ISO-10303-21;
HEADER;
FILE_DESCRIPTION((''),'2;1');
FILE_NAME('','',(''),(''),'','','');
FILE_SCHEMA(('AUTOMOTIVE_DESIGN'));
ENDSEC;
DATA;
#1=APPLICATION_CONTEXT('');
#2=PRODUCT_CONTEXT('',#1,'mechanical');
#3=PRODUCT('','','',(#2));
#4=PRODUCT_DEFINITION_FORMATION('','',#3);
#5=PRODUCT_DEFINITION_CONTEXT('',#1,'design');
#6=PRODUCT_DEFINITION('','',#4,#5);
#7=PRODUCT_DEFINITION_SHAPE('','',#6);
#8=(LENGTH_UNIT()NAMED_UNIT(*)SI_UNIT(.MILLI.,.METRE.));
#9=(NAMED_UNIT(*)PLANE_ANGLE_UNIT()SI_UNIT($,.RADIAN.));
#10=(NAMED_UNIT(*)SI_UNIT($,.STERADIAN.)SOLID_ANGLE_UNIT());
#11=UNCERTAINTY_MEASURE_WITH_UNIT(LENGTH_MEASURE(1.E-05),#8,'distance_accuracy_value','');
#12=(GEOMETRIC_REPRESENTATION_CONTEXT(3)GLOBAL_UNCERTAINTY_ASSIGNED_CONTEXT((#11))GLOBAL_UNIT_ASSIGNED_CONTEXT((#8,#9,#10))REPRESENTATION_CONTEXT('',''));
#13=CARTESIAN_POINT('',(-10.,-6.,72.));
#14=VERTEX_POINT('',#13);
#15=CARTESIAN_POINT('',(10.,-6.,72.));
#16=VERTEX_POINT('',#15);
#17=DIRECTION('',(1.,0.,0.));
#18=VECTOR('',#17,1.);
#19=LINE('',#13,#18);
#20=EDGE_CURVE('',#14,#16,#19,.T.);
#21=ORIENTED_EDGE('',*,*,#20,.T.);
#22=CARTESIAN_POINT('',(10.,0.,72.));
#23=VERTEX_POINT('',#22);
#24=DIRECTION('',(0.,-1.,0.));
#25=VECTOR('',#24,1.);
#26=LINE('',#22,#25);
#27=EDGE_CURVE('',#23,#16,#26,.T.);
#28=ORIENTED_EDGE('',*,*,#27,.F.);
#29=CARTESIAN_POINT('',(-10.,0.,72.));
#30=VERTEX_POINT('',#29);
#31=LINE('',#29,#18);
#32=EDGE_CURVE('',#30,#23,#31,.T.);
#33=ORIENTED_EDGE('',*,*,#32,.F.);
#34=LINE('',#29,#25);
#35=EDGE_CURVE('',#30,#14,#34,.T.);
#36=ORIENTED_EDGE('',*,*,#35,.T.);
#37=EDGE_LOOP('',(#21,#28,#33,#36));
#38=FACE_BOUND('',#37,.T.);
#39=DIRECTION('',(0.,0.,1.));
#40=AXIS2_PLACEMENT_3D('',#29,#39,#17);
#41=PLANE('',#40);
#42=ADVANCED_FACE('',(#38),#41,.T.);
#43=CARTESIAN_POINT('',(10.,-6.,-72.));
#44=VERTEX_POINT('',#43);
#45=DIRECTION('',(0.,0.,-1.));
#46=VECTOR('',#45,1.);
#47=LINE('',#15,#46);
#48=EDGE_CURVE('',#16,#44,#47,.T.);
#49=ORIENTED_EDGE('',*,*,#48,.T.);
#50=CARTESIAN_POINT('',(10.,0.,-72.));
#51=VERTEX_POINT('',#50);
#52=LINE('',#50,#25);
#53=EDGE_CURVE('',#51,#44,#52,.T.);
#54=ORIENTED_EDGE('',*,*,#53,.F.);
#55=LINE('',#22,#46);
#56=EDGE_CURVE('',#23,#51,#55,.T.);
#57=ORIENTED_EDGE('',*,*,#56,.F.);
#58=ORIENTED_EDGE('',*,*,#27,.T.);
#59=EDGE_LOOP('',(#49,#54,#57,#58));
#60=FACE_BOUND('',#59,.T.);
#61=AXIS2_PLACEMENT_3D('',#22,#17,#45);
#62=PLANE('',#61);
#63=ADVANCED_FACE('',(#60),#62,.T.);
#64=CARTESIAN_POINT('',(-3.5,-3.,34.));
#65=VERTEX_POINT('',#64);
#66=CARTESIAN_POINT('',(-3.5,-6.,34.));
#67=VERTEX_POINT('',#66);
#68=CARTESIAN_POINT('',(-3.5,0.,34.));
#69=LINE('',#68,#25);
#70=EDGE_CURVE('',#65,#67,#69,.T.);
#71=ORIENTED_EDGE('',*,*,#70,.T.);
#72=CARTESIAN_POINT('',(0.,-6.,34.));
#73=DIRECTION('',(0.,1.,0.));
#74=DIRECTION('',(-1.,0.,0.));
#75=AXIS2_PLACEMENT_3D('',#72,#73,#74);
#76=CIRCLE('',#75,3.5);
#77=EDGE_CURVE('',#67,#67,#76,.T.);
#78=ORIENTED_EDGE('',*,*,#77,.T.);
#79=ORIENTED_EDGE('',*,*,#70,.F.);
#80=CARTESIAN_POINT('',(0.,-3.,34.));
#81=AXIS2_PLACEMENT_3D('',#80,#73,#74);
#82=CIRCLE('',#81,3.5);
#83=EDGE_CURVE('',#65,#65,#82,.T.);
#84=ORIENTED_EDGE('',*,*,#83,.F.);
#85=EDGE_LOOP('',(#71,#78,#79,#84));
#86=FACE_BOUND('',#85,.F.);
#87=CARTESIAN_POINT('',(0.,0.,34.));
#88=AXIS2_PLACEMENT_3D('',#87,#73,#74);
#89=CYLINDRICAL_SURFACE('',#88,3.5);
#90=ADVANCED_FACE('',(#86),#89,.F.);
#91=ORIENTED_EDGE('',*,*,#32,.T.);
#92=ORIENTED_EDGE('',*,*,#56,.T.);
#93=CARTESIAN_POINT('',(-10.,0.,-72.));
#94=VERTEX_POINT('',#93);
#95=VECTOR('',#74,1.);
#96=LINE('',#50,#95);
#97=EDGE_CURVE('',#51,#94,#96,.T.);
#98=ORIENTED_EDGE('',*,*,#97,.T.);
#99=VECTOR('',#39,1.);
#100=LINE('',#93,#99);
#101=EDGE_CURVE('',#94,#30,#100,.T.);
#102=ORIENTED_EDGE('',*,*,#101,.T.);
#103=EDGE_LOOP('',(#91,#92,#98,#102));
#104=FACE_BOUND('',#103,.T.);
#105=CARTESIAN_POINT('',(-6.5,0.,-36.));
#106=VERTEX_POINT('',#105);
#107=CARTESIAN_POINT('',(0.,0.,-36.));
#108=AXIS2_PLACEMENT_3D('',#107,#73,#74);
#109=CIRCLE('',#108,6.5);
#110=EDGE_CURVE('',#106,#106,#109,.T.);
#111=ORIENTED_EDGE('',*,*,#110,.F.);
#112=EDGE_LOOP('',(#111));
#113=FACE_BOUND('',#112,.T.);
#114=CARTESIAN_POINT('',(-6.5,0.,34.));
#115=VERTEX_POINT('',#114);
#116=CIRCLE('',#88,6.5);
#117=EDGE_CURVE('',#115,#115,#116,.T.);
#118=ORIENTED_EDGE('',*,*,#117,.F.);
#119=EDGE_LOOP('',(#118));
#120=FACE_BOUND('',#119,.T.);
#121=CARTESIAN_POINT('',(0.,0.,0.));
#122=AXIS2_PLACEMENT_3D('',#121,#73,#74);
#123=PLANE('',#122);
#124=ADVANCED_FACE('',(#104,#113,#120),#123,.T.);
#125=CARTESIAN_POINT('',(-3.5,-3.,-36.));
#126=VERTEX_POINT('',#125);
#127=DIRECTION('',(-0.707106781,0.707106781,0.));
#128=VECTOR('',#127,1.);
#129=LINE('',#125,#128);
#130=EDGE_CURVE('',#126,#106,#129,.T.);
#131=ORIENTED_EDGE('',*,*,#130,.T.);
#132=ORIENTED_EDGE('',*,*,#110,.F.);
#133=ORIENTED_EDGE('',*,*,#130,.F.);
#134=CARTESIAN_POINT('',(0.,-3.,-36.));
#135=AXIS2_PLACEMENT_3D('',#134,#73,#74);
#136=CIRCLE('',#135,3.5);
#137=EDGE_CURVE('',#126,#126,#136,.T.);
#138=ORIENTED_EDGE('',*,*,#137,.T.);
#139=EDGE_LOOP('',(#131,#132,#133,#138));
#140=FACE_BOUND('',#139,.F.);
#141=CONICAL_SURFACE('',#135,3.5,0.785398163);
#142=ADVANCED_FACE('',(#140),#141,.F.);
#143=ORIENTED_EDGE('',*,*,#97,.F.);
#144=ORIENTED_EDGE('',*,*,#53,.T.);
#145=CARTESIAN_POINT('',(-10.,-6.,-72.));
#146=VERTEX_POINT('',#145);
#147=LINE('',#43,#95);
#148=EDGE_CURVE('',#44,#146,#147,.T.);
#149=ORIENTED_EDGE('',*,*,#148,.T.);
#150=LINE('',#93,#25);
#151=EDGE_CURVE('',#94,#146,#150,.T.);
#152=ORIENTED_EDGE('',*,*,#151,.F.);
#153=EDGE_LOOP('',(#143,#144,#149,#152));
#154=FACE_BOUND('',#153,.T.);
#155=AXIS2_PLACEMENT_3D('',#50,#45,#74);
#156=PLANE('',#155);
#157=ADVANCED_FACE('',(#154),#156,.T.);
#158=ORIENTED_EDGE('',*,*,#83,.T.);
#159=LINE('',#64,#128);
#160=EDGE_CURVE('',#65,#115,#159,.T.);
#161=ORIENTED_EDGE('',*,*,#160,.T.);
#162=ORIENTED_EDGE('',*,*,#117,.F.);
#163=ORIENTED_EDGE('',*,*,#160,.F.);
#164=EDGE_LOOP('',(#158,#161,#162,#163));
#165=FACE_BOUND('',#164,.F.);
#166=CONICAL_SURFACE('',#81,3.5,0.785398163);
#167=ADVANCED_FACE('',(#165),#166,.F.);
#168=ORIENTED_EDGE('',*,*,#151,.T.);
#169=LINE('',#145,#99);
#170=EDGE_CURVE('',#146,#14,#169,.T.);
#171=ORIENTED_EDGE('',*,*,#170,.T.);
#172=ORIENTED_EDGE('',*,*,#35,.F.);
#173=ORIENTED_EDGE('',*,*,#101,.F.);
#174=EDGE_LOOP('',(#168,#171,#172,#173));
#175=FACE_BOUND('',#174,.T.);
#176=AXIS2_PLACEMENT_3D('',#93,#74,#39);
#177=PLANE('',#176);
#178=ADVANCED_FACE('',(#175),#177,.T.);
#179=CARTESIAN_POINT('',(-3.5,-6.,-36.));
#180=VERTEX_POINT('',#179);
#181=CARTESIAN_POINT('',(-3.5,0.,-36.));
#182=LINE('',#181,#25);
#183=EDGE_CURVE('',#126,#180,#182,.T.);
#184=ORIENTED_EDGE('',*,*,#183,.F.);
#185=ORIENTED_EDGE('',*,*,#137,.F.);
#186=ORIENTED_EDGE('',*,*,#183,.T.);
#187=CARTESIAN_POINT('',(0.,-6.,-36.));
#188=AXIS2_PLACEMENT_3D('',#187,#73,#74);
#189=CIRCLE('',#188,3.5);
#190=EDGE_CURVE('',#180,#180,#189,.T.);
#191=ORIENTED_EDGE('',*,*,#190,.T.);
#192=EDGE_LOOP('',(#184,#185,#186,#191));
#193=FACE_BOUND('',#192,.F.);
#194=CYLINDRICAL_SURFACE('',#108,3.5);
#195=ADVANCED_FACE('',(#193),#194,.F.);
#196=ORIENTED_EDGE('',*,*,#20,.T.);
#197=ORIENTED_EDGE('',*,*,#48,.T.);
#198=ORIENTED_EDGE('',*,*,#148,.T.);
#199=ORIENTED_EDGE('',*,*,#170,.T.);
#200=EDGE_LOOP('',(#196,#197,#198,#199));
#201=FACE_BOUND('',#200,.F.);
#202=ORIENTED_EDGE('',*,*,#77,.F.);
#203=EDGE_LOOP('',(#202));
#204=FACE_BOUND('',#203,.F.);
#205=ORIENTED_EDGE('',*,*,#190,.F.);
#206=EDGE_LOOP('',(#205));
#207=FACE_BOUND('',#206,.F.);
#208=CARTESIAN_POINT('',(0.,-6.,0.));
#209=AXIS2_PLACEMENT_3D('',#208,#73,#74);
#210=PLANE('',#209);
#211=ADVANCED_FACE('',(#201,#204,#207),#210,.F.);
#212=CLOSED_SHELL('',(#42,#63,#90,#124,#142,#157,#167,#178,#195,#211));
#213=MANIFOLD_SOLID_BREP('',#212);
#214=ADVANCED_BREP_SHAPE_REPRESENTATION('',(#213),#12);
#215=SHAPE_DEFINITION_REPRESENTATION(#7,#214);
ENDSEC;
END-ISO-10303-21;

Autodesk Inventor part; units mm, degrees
ref_plane "YZ Plane" through (0, 0, 0) normal (1, 0, 0) x (0, 1, 0)
ref_plane "XZ Plane" through (0, 0, 0) normal (0, 1, 0) x (-1, 0, 0)
ref_plane "XY Plane" through (0, 0, 0) normal (0, 0, 1) x (1, 0, 0)
sketch "Sketch1" plane through (0, 0, 0) normal (0, 1, 0) x (-1, 0, 0)
  line L0 (10, 72) -> (-10, 72)
  line L1 (-10, 72) -> (-10, -72)
  line L2 (-10, -72) -> (10, -72)
  line L3 (10, -72) -> (10, 72)
  line L4 (0, -72) -> (0, 72) construction
  circle A0 centre (0, 34) radius 3.5
  circle A1 centre (0, -36) radius 3.5
  point P0 (0, 0)
  point P1 (0, 0)
  dimension "d0" = 144
  dimension "d1" = 20
  dimension "d2" = 7
  dimension "d3" = 7
  dimension "d4" = 70
  dimension "d6" = 36
  dimension "d7" = 38
extrude "Extrusion1" add sketch "Sketch1" against normal blind 6
chamfer "Chamfer1" distance 3 angle 45 2 edges at (3.5, 0, 34) (3.5, 0, -36)
properties part number "Parte5_BasePlaca_FMH" material "Steel, Alloy"
